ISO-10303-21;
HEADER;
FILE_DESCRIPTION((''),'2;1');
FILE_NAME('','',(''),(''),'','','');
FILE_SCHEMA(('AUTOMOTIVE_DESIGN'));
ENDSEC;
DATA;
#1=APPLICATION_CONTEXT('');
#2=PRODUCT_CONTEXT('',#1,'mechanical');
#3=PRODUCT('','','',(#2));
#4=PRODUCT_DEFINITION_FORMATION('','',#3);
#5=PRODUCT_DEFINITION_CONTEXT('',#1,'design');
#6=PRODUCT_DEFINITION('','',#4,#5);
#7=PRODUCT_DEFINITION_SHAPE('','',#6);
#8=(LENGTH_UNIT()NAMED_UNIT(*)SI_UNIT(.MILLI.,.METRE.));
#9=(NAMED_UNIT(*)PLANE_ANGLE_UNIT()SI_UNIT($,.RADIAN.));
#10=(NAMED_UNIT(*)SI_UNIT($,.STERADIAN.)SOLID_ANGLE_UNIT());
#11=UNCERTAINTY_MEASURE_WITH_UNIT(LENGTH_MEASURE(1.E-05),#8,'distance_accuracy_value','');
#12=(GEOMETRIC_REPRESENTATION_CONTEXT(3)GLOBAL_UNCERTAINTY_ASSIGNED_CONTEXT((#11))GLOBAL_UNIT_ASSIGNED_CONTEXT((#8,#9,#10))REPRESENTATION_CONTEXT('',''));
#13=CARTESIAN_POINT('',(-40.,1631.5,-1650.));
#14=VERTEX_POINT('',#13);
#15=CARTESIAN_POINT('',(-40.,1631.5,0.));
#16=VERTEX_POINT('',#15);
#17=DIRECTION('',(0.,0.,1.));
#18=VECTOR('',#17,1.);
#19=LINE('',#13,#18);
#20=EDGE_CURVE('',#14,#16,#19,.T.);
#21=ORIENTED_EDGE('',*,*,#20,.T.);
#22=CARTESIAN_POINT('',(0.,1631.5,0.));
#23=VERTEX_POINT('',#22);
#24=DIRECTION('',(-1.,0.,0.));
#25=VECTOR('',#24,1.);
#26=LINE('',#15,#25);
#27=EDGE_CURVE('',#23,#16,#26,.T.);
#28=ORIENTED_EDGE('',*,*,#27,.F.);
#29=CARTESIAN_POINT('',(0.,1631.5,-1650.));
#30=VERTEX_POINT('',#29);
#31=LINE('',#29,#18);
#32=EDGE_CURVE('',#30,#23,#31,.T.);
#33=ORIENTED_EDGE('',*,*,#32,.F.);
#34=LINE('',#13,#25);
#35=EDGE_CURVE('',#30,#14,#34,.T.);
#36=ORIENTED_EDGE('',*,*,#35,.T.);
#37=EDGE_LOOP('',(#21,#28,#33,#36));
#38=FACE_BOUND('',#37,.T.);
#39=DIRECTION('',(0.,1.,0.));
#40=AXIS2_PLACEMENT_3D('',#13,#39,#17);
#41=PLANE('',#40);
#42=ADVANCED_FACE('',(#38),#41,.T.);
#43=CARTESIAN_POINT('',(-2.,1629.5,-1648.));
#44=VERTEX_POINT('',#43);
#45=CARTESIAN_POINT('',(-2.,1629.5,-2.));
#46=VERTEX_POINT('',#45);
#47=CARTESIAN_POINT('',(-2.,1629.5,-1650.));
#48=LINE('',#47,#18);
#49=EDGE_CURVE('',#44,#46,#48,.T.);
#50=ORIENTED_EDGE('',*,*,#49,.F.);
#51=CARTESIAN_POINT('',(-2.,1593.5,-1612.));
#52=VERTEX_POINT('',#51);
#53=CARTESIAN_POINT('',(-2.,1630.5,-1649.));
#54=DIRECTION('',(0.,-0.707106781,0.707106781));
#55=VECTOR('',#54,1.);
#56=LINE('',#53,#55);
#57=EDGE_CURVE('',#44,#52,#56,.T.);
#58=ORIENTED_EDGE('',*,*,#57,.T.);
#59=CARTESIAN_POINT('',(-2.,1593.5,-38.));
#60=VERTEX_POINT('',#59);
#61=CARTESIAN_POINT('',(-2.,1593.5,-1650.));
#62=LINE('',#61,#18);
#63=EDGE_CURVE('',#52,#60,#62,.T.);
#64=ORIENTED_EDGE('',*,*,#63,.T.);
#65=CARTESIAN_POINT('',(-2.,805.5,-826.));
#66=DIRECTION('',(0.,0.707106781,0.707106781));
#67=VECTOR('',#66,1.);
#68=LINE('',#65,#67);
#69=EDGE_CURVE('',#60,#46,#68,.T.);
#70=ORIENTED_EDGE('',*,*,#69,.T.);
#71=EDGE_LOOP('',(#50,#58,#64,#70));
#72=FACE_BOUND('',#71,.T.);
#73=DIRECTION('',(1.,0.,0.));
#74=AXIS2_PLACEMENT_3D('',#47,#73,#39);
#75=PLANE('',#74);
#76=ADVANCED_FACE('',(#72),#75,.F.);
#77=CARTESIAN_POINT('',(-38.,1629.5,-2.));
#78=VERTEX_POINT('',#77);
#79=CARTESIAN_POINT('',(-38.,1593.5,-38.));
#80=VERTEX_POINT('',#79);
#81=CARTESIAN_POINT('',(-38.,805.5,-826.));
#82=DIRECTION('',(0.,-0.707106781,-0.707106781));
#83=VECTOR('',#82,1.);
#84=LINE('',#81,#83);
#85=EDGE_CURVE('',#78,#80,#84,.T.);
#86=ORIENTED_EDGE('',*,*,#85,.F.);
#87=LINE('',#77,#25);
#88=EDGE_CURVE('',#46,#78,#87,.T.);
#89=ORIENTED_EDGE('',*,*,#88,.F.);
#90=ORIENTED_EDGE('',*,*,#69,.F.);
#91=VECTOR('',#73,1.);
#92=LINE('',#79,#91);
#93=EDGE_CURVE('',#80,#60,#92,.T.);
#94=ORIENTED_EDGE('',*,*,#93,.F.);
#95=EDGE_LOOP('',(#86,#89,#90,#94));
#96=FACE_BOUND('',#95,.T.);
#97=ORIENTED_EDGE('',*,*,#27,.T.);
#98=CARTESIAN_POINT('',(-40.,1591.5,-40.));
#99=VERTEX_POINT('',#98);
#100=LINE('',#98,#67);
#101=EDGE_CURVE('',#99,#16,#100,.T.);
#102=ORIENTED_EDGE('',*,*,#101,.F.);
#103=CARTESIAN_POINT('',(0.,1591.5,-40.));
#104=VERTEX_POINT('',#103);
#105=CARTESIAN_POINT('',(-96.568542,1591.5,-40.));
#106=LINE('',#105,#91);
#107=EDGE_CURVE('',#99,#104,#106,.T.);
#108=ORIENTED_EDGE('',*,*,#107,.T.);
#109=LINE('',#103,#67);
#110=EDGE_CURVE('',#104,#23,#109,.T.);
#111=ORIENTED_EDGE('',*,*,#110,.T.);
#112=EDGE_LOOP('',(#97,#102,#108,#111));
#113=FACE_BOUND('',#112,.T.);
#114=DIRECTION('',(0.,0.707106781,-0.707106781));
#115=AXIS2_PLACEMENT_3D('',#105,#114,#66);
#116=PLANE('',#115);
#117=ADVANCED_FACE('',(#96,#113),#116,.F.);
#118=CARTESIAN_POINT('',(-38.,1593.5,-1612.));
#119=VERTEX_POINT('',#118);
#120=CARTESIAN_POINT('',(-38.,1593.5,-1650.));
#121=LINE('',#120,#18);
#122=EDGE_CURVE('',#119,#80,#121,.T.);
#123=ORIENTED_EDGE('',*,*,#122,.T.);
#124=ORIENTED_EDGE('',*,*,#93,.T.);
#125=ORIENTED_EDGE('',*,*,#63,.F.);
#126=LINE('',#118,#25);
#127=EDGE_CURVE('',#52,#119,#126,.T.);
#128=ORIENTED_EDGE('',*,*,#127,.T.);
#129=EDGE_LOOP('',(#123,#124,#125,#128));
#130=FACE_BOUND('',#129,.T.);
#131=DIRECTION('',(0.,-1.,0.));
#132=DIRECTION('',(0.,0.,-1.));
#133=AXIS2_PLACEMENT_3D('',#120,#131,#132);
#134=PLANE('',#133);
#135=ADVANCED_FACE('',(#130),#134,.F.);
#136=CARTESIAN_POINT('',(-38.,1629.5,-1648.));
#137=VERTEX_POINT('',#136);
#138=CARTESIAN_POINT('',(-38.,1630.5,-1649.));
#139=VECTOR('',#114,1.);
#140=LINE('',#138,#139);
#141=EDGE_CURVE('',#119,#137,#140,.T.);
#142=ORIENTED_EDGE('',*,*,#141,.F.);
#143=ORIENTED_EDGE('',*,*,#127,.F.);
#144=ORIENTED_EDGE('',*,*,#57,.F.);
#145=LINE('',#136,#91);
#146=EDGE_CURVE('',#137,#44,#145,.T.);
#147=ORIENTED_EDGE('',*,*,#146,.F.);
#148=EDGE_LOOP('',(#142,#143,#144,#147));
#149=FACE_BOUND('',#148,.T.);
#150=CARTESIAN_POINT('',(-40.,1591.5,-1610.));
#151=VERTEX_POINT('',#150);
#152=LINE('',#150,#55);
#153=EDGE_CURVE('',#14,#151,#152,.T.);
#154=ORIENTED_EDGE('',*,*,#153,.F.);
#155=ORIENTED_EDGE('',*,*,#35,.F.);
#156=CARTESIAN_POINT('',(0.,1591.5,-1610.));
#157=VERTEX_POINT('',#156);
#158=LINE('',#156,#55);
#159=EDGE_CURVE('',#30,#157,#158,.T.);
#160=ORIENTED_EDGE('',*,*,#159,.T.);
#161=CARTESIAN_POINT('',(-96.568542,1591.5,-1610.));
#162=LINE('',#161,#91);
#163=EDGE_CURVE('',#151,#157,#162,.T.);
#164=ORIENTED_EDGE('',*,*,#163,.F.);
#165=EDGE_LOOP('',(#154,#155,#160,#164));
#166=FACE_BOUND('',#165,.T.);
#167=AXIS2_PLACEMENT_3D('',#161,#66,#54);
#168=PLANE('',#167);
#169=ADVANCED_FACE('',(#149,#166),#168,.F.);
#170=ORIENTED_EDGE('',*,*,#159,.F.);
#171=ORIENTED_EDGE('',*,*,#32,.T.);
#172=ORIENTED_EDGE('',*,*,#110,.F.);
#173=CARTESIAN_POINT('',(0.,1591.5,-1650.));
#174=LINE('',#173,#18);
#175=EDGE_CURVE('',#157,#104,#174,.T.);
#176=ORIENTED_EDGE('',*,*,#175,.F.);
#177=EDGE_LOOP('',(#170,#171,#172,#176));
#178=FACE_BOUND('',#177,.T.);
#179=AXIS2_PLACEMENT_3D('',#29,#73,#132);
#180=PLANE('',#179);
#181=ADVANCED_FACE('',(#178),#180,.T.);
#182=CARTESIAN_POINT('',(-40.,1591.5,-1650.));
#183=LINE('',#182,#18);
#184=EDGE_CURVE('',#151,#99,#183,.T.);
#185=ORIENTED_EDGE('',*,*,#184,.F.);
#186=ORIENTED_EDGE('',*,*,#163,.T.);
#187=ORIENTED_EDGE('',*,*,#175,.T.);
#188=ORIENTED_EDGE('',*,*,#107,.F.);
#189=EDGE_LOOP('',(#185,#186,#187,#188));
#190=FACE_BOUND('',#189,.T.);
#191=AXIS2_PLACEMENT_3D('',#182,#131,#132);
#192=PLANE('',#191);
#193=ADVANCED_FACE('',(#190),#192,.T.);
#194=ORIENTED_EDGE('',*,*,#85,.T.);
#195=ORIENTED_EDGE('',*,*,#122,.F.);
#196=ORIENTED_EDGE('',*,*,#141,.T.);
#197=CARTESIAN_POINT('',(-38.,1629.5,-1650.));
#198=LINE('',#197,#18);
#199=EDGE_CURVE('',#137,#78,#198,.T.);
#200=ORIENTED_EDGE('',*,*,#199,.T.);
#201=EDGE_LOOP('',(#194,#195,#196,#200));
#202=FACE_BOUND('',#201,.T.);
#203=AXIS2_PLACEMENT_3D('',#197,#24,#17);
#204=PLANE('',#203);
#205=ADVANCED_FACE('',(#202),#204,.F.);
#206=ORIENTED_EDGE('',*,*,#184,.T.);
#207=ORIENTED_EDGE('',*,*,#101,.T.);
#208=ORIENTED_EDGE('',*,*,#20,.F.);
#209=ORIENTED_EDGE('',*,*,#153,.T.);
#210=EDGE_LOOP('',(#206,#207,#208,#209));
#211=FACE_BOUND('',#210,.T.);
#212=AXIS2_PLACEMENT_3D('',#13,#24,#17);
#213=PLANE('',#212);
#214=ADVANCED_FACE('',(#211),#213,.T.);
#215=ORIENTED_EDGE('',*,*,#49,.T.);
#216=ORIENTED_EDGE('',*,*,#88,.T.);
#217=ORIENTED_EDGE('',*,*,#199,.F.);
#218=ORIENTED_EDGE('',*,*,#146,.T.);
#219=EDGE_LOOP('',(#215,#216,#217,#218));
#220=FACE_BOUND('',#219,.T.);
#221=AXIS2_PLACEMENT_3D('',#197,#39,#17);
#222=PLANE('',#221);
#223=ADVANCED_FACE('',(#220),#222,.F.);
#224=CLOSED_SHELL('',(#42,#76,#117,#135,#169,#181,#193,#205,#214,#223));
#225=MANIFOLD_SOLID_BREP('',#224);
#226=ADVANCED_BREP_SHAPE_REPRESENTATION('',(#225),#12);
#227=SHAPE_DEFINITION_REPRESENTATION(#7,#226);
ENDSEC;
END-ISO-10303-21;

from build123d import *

# Parameters (mm, degrees)
SKETCH1_W           = 40
SKETCH1_H           = 40
SKETCH1_W_2         = 36
SKETCH1_H_2         = 36
BOSS_EXTRUDE1_DEPTH = 1650
CUT_EXTRUDE1_REACH  = 2322.753


with BuildPart() as part:
    # Sketch1 → Boss-Extrude1 (new body)
    with BuildSketch(Plane.XY):
        with Locations((-20, 1611.5)):
            Rectangle(SKETCH1_W, SKETCH1_H)
        with Locations((-20, 1611.5)):
            Rectangle(SKETCH1_W_2, SKETCH1_H_2, mode=Mode.SUBTRACT)
    extrude(amount=-BOSS_EXTRUDE1_DEPTH)

    # Cut-Extrude1: up to this face of the body (flat: up to its plane)
    cut_extrude1_end = Plane(part.part.faces().sort_by_distance((-40, 1611.5, -825))[0])
    # Sketch2 → Cut-Extrude1 (cut, up to the picked face)
    with BuildSketch(Plane(origin=(0, 0, 0), x_dir=(0, 0, -1), z_dir=(1, 0, 0)), mode=Mode.PRIVATE) as cut_extrude1_sk1:
        Polygon((0, 1631.5), (0, 1591.5), (40, 1591.5), align=None)
    cut_extrude1_tool1 = split(extrude(cut_extrude1_sk1.sketch, amount=-CUT_EXTRUDE1_REACH, mode=Mode.PRIVATE), bisect_by=cut_extrude1_end, keep=Keep.BOTH, mode=Mode.PRIVATE)
    # Sketch2 → Cut-Extrude1 (cut, up to the picked face)
    with BuildSketch(Plane(origin=(0, 0, 0), x_dir=(0, 0, -1), z_dir=(1, 0, 0)), mode=Mode.PRIVATE) as cut_extrude1_sk2:
        Polygon((1610, 1591.5), (1650, 1631.5), (1650, 1591.5), align=None)
    cut_extrude1_tool2 = split(extrude(cut_extrude1_sk2.sketch, amount=-CUT_EXTRUDE1_REACH, mode=Mode.PRIVATE), bisect_by=cut_extrude1_end, keep=Keep.BOTH, mode=Mode.PRIVATE)
    add(cut_extrude1_tool1.solids().sort_by(Axis((0, 1604.833333, -13.333333), (-1, 0, 0)))[0], mode=Mode.SUBTRACT)
    add(cut_extrude1_tool2.solids().sort_by(Axis((0, 1604.833333, -1636.666667), (-1, 0, 0)))[0], mode=Mode.SUBTRACT)


solid = part.part
